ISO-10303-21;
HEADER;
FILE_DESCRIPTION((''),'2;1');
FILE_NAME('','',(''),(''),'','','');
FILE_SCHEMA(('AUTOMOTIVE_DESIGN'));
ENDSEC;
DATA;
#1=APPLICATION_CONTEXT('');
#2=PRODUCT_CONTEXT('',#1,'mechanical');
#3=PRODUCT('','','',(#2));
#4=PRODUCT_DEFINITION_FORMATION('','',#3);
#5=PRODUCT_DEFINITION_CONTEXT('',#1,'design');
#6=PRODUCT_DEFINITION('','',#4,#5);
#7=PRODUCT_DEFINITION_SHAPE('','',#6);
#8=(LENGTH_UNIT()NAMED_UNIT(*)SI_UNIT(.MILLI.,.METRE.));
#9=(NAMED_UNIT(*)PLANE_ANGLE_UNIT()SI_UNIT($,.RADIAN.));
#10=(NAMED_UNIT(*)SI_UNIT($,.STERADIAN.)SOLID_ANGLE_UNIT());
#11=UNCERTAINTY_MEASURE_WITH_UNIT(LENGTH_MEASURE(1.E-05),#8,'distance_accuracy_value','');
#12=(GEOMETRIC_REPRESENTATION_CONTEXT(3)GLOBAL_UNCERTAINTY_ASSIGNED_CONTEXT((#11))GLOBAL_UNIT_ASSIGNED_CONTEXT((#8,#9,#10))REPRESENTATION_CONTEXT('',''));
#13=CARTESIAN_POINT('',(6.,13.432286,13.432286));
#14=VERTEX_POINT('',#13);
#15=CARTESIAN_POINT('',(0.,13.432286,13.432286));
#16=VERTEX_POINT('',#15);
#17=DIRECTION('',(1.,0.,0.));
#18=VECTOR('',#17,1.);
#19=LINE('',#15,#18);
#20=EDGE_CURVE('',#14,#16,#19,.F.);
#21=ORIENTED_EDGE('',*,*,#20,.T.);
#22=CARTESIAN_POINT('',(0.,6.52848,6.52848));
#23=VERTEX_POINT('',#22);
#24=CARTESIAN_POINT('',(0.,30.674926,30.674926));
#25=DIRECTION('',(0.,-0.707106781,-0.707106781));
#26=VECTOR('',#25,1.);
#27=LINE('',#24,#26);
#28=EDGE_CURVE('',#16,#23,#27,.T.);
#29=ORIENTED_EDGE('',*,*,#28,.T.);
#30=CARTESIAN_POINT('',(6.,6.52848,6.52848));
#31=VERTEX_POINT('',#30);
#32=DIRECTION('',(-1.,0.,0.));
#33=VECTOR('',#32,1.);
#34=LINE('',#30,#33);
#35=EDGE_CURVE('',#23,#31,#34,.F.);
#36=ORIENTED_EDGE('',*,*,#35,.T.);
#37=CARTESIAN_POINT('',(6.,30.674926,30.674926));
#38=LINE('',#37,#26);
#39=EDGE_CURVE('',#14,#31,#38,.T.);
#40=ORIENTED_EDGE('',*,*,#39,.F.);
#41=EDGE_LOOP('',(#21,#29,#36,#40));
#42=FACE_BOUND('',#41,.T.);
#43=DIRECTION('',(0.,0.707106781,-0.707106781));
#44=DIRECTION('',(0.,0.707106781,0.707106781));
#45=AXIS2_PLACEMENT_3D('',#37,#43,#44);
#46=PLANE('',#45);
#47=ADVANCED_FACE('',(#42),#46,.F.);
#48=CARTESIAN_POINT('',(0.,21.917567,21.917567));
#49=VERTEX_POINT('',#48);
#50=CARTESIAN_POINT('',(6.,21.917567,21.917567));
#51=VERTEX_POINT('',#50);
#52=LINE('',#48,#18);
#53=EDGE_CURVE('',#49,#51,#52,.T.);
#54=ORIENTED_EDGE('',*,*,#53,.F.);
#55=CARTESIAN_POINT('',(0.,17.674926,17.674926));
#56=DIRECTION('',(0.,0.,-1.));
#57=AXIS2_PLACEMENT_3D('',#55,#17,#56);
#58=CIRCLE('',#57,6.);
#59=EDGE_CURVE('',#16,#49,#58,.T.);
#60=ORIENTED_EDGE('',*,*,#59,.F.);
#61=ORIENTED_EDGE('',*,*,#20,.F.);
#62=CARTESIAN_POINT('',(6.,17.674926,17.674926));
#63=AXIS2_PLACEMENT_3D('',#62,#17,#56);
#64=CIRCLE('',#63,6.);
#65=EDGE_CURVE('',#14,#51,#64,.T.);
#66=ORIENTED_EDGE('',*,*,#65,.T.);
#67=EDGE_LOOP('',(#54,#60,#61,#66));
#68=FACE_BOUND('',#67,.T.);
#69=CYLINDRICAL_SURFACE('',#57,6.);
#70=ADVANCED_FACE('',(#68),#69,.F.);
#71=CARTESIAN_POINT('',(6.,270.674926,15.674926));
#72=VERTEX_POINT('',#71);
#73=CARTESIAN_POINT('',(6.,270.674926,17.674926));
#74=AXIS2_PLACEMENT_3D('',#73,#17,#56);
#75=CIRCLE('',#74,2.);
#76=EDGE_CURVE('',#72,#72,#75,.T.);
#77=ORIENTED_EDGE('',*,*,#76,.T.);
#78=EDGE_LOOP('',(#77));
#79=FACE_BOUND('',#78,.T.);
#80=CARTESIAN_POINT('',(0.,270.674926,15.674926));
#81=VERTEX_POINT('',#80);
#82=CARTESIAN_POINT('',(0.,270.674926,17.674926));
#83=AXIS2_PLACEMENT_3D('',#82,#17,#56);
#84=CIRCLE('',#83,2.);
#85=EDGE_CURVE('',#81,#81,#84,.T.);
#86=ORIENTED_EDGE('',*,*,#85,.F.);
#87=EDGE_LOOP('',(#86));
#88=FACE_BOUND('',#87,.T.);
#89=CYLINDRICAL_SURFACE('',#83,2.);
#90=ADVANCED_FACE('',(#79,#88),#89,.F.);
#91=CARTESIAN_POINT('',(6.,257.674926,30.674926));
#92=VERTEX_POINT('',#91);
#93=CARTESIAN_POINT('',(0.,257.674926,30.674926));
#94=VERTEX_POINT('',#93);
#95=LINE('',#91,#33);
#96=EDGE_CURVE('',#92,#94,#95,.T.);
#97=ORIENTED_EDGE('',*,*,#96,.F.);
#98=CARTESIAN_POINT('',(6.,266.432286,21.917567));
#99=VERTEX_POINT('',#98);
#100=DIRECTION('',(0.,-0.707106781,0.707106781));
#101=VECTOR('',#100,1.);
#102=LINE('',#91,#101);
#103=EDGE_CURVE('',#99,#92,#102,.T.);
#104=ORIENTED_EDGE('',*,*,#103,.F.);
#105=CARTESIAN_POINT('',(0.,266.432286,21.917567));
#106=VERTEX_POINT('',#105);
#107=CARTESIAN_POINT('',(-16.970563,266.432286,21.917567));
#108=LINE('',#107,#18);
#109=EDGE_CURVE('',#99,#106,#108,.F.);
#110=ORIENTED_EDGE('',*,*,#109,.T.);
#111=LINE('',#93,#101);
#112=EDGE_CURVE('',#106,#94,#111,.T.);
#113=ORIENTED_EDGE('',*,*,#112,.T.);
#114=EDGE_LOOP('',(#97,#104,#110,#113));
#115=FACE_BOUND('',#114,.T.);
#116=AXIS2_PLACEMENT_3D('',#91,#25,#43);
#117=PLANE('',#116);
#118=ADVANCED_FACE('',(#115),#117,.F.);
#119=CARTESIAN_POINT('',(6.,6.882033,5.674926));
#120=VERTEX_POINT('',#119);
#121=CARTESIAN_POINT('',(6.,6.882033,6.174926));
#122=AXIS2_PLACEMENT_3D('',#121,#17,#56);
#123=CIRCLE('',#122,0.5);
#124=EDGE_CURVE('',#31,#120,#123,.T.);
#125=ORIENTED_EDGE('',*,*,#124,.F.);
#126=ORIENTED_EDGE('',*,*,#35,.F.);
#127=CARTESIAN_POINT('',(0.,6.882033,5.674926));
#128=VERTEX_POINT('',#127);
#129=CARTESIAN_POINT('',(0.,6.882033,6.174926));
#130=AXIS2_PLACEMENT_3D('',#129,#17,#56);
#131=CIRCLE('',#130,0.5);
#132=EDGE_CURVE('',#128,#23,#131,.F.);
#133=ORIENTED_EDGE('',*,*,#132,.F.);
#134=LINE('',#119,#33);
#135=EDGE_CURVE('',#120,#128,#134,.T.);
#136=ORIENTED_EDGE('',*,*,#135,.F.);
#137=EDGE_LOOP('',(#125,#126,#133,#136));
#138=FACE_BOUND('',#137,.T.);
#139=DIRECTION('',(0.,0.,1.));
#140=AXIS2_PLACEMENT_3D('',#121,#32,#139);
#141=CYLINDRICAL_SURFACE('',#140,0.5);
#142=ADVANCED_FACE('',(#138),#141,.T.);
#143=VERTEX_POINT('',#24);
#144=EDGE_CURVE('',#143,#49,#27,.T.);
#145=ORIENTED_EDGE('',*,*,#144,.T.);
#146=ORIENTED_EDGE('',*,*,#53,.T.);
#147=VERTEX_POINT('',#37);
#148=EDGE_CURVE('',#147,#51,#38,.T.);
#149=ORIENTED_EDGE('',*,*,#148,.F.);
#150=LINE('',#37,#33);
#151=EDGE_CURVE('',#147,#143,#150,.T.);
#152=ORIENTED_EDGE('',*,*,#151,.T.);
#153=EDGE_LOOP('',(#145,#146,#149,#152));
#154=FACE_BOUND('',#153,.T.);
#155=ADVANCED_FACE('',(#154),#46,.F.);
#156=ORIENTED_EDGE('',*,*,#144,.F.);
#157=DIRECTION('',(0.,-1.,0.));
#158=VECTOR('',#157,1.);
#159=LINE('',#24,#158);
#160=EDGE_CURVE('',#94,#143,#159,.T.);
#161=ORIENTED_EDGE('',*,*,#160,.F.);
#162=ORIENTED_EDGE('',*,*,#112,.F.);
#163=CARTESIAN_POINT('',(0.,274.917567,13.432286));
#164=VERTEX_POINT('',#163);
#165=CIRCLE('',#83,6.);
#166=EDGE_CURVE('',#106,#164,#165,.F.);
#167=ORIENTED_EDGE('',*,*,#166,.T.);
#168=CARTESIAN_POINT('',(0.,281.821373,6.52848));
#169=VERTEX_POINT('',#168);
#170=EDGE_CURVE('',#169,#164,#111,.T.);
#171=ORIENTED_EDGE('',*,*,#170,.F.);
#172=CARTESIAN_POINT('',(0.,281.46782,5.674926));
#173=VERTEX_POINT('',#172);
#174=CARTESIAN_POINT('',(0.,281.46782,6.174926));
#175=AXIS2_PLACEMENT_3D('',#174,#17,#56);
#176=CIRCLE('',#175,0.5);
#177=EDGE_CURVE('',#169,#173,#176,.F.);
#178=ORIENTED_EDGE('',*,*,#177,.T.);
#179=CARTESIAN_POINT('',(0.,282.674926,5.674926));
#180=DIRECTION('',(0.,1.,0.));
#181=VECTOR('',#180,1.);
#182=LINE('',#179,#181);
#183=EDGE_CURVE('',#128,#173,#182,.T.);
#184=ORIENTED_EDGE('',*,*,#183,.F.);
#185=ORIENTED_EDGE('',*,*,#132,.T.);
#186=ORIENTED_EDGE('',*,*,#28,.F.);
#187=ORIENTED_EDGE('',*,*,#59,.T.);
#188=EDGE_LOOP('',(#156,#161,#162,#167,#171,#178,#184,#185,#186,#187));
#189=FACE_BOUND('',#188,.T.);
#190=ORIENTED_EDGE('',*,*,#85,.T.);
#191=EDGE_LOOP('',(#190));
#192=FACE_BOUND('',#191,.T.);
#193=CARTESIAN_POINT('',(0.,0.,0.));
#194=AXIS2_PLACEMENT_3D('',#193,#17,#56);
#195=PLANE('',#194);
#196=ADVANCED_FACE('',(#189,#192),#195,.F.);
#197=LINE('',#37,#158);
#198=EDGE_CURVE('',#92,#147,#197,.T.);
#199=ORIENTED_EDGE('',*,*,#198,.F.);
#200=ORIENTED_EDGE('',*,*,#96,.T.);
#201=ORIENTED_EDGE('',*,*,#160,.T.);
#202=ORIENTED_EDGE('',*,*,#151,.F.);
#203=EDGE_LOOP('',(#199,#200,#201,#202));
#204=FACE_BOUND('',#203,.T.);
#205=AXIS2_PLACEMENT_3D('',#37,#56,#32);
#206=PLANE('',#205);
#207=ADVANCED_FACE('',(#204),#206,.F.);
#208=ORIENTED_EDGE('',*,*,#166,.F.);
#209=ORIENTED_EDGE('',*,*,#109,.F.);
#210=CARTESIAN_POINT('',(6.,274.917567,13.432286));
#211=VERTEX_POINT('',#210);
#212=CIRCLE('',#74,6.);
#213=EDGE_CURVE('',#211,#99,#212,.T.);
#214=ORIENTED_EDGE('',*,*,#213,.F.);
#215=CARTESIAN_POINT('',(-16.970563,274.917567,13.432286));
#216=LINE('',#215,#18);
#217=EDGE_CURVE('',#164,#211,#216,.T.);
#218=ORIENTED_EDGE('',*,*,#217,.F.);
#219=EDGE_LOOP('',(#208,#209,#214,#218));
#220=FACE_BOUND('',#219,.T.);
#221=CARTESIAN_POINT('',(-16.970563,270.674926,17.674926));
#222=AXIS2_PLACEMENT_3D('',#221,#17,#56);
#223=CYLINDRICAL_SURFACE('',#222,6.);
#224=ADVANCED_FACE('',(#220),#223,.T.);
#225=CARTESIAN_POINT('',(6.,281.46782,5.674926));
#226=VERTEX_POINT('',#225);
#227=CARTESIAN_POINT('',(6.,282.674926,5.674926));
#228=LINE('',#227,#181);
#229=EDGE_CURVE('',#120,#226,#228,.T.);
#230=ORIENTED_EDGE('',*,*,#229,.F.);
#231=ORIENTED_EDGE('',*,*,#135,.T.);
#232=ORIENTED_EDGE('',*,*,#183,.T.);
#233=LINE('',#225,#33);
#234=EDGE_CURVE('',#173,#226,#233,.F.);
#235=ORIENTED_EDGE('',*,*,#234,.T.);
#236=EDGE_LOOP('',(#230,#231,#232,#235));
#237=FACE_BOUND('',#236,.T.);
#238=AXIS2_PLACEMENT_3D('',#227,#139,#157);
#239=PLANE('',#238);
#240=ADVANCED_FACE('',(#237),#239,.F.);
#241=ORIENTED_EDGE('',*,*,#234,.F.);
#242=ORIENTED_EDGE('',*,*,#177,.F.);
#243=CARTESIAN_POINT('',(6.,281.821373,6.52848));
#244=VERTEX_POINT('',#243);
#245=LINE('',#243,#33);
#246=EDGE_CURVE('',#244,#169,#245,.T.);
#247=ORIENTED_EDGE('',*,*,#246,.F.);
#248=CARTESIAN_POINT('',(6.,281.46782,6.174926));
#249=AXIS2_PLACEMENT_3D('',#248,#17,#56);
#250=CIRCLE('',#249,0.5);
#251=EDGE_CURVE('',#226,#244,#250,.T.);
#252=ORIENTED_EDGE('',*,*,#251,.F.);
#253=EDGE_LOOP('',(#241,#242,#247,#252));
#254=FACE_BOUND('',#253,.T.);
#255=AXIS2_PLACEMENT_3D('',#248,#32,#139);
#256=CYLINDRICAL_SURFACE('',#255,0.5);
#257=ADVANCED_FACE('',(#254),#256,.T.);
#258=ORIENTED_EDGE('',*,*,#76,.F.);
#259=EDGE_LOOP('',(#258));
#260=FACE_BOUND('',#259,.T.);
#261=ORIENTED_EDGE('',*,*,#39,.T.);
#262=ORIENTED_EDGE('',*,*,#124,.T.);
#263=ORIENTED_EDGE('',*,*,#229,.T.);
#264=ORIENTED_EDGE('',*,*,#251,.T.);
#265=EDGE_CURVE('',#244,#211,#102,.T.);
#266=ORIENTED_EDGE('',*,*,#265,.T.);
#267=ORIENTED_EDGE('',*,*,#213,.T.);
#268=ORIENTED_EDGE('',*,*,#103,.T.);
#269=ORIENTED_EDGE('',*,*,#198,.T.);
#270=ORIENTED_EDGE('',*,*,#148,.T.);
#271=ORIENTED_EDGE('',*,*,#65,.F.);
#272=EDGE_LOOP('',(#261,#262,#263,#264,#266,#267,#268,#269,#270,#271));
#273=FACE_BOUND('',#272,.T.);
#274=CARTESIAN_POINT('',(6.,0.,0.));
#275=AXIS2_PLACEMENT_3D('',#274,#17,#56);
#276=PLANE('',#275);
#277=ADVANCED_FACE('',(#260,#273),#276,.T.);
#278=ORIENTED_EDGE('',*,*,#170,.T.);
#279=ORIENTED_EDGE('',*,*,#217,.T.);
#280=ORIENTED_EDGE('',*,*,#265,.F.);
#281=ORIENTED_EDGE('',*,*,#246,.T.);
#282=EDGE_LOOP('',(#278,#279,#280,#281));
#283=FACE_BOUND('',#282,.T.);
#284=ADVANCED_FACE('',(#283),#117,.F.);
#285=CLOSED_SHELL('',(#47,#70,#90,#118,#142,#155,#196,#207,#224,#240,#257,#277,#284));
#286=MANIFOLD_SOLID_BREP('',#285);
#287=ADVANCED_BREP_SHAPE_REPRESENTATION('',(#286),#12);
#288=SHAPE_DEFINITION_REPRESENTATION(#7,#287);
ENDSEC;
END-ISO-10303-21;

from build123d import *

# Parameters (mm, degrees)
BOSS_EXTRUDE1_DEPTH = 6
FILLET1_R           = 0.5
SKETCH4_R           = 6
BOSS_EXTRUDE2_DEPTH = 6
SKETCH3_R           = 2
SKETCH3_R_2         = 6
CUT_EXTRUDE1_DEPTH  = 284.694910827


with BuildPart() as part:
    # Sketch2 → Boss-Extrude1 (new body)
    with BuildSketch(Plane(origin=(0, 0, 0), x_dir=(0, 0, -1), z_dir=(1, 0, 0))):
        Polygon((-30.67492643, 30.67492643), (-30.67492643, 257.67492643), (-5.67492643, 282.67492643), (-5.67492643, 5.67492643), align=None)
    extrude(amount=BOSS_EXTRUDE1_DEPTH)

    # Fillet1
    fillet1_edges = [part.edges().sort_by_distance(p)[0] for p in [
        (3, 282.67492643, 5.67492643),
        (3, 5.67492643, 5.67492643),
    ]]
    fillet(fillet1_edges, radius=FILLET1_R)

    # Sketch4 → Boss-Extrude2 (add)
    with BuildSketch(Plane(origin=(6, 0, 0), x_dir=(0, 0, -1), z_dir=(1, 0, 0))):
        with Locations((-17.67492643, 270.67492643)):
            Circle(SKETCH4_R)
    extrude(amount=-BOSS_EXTRUDE2_DEPTH)

    # Sketch3 → Cut-Extrude1 (cut, through all)
    with BuildSketch(Plane(origin=(6, 0, 0), x_dir=(0, 0, -1), z_dir=(1, 0, 0))):
        with Locations((-17.67492643, 270.67492643)):
            Circle(SKETCH3_R)
        with Locations((-17.67492643, 17.67492643)):
            Circle(SKETCH3_R_2)
    extrude(amount=-CUT_EXTRUDE1_DEPTH, mode=Mode.SUBTRACT)


solid = part.part
